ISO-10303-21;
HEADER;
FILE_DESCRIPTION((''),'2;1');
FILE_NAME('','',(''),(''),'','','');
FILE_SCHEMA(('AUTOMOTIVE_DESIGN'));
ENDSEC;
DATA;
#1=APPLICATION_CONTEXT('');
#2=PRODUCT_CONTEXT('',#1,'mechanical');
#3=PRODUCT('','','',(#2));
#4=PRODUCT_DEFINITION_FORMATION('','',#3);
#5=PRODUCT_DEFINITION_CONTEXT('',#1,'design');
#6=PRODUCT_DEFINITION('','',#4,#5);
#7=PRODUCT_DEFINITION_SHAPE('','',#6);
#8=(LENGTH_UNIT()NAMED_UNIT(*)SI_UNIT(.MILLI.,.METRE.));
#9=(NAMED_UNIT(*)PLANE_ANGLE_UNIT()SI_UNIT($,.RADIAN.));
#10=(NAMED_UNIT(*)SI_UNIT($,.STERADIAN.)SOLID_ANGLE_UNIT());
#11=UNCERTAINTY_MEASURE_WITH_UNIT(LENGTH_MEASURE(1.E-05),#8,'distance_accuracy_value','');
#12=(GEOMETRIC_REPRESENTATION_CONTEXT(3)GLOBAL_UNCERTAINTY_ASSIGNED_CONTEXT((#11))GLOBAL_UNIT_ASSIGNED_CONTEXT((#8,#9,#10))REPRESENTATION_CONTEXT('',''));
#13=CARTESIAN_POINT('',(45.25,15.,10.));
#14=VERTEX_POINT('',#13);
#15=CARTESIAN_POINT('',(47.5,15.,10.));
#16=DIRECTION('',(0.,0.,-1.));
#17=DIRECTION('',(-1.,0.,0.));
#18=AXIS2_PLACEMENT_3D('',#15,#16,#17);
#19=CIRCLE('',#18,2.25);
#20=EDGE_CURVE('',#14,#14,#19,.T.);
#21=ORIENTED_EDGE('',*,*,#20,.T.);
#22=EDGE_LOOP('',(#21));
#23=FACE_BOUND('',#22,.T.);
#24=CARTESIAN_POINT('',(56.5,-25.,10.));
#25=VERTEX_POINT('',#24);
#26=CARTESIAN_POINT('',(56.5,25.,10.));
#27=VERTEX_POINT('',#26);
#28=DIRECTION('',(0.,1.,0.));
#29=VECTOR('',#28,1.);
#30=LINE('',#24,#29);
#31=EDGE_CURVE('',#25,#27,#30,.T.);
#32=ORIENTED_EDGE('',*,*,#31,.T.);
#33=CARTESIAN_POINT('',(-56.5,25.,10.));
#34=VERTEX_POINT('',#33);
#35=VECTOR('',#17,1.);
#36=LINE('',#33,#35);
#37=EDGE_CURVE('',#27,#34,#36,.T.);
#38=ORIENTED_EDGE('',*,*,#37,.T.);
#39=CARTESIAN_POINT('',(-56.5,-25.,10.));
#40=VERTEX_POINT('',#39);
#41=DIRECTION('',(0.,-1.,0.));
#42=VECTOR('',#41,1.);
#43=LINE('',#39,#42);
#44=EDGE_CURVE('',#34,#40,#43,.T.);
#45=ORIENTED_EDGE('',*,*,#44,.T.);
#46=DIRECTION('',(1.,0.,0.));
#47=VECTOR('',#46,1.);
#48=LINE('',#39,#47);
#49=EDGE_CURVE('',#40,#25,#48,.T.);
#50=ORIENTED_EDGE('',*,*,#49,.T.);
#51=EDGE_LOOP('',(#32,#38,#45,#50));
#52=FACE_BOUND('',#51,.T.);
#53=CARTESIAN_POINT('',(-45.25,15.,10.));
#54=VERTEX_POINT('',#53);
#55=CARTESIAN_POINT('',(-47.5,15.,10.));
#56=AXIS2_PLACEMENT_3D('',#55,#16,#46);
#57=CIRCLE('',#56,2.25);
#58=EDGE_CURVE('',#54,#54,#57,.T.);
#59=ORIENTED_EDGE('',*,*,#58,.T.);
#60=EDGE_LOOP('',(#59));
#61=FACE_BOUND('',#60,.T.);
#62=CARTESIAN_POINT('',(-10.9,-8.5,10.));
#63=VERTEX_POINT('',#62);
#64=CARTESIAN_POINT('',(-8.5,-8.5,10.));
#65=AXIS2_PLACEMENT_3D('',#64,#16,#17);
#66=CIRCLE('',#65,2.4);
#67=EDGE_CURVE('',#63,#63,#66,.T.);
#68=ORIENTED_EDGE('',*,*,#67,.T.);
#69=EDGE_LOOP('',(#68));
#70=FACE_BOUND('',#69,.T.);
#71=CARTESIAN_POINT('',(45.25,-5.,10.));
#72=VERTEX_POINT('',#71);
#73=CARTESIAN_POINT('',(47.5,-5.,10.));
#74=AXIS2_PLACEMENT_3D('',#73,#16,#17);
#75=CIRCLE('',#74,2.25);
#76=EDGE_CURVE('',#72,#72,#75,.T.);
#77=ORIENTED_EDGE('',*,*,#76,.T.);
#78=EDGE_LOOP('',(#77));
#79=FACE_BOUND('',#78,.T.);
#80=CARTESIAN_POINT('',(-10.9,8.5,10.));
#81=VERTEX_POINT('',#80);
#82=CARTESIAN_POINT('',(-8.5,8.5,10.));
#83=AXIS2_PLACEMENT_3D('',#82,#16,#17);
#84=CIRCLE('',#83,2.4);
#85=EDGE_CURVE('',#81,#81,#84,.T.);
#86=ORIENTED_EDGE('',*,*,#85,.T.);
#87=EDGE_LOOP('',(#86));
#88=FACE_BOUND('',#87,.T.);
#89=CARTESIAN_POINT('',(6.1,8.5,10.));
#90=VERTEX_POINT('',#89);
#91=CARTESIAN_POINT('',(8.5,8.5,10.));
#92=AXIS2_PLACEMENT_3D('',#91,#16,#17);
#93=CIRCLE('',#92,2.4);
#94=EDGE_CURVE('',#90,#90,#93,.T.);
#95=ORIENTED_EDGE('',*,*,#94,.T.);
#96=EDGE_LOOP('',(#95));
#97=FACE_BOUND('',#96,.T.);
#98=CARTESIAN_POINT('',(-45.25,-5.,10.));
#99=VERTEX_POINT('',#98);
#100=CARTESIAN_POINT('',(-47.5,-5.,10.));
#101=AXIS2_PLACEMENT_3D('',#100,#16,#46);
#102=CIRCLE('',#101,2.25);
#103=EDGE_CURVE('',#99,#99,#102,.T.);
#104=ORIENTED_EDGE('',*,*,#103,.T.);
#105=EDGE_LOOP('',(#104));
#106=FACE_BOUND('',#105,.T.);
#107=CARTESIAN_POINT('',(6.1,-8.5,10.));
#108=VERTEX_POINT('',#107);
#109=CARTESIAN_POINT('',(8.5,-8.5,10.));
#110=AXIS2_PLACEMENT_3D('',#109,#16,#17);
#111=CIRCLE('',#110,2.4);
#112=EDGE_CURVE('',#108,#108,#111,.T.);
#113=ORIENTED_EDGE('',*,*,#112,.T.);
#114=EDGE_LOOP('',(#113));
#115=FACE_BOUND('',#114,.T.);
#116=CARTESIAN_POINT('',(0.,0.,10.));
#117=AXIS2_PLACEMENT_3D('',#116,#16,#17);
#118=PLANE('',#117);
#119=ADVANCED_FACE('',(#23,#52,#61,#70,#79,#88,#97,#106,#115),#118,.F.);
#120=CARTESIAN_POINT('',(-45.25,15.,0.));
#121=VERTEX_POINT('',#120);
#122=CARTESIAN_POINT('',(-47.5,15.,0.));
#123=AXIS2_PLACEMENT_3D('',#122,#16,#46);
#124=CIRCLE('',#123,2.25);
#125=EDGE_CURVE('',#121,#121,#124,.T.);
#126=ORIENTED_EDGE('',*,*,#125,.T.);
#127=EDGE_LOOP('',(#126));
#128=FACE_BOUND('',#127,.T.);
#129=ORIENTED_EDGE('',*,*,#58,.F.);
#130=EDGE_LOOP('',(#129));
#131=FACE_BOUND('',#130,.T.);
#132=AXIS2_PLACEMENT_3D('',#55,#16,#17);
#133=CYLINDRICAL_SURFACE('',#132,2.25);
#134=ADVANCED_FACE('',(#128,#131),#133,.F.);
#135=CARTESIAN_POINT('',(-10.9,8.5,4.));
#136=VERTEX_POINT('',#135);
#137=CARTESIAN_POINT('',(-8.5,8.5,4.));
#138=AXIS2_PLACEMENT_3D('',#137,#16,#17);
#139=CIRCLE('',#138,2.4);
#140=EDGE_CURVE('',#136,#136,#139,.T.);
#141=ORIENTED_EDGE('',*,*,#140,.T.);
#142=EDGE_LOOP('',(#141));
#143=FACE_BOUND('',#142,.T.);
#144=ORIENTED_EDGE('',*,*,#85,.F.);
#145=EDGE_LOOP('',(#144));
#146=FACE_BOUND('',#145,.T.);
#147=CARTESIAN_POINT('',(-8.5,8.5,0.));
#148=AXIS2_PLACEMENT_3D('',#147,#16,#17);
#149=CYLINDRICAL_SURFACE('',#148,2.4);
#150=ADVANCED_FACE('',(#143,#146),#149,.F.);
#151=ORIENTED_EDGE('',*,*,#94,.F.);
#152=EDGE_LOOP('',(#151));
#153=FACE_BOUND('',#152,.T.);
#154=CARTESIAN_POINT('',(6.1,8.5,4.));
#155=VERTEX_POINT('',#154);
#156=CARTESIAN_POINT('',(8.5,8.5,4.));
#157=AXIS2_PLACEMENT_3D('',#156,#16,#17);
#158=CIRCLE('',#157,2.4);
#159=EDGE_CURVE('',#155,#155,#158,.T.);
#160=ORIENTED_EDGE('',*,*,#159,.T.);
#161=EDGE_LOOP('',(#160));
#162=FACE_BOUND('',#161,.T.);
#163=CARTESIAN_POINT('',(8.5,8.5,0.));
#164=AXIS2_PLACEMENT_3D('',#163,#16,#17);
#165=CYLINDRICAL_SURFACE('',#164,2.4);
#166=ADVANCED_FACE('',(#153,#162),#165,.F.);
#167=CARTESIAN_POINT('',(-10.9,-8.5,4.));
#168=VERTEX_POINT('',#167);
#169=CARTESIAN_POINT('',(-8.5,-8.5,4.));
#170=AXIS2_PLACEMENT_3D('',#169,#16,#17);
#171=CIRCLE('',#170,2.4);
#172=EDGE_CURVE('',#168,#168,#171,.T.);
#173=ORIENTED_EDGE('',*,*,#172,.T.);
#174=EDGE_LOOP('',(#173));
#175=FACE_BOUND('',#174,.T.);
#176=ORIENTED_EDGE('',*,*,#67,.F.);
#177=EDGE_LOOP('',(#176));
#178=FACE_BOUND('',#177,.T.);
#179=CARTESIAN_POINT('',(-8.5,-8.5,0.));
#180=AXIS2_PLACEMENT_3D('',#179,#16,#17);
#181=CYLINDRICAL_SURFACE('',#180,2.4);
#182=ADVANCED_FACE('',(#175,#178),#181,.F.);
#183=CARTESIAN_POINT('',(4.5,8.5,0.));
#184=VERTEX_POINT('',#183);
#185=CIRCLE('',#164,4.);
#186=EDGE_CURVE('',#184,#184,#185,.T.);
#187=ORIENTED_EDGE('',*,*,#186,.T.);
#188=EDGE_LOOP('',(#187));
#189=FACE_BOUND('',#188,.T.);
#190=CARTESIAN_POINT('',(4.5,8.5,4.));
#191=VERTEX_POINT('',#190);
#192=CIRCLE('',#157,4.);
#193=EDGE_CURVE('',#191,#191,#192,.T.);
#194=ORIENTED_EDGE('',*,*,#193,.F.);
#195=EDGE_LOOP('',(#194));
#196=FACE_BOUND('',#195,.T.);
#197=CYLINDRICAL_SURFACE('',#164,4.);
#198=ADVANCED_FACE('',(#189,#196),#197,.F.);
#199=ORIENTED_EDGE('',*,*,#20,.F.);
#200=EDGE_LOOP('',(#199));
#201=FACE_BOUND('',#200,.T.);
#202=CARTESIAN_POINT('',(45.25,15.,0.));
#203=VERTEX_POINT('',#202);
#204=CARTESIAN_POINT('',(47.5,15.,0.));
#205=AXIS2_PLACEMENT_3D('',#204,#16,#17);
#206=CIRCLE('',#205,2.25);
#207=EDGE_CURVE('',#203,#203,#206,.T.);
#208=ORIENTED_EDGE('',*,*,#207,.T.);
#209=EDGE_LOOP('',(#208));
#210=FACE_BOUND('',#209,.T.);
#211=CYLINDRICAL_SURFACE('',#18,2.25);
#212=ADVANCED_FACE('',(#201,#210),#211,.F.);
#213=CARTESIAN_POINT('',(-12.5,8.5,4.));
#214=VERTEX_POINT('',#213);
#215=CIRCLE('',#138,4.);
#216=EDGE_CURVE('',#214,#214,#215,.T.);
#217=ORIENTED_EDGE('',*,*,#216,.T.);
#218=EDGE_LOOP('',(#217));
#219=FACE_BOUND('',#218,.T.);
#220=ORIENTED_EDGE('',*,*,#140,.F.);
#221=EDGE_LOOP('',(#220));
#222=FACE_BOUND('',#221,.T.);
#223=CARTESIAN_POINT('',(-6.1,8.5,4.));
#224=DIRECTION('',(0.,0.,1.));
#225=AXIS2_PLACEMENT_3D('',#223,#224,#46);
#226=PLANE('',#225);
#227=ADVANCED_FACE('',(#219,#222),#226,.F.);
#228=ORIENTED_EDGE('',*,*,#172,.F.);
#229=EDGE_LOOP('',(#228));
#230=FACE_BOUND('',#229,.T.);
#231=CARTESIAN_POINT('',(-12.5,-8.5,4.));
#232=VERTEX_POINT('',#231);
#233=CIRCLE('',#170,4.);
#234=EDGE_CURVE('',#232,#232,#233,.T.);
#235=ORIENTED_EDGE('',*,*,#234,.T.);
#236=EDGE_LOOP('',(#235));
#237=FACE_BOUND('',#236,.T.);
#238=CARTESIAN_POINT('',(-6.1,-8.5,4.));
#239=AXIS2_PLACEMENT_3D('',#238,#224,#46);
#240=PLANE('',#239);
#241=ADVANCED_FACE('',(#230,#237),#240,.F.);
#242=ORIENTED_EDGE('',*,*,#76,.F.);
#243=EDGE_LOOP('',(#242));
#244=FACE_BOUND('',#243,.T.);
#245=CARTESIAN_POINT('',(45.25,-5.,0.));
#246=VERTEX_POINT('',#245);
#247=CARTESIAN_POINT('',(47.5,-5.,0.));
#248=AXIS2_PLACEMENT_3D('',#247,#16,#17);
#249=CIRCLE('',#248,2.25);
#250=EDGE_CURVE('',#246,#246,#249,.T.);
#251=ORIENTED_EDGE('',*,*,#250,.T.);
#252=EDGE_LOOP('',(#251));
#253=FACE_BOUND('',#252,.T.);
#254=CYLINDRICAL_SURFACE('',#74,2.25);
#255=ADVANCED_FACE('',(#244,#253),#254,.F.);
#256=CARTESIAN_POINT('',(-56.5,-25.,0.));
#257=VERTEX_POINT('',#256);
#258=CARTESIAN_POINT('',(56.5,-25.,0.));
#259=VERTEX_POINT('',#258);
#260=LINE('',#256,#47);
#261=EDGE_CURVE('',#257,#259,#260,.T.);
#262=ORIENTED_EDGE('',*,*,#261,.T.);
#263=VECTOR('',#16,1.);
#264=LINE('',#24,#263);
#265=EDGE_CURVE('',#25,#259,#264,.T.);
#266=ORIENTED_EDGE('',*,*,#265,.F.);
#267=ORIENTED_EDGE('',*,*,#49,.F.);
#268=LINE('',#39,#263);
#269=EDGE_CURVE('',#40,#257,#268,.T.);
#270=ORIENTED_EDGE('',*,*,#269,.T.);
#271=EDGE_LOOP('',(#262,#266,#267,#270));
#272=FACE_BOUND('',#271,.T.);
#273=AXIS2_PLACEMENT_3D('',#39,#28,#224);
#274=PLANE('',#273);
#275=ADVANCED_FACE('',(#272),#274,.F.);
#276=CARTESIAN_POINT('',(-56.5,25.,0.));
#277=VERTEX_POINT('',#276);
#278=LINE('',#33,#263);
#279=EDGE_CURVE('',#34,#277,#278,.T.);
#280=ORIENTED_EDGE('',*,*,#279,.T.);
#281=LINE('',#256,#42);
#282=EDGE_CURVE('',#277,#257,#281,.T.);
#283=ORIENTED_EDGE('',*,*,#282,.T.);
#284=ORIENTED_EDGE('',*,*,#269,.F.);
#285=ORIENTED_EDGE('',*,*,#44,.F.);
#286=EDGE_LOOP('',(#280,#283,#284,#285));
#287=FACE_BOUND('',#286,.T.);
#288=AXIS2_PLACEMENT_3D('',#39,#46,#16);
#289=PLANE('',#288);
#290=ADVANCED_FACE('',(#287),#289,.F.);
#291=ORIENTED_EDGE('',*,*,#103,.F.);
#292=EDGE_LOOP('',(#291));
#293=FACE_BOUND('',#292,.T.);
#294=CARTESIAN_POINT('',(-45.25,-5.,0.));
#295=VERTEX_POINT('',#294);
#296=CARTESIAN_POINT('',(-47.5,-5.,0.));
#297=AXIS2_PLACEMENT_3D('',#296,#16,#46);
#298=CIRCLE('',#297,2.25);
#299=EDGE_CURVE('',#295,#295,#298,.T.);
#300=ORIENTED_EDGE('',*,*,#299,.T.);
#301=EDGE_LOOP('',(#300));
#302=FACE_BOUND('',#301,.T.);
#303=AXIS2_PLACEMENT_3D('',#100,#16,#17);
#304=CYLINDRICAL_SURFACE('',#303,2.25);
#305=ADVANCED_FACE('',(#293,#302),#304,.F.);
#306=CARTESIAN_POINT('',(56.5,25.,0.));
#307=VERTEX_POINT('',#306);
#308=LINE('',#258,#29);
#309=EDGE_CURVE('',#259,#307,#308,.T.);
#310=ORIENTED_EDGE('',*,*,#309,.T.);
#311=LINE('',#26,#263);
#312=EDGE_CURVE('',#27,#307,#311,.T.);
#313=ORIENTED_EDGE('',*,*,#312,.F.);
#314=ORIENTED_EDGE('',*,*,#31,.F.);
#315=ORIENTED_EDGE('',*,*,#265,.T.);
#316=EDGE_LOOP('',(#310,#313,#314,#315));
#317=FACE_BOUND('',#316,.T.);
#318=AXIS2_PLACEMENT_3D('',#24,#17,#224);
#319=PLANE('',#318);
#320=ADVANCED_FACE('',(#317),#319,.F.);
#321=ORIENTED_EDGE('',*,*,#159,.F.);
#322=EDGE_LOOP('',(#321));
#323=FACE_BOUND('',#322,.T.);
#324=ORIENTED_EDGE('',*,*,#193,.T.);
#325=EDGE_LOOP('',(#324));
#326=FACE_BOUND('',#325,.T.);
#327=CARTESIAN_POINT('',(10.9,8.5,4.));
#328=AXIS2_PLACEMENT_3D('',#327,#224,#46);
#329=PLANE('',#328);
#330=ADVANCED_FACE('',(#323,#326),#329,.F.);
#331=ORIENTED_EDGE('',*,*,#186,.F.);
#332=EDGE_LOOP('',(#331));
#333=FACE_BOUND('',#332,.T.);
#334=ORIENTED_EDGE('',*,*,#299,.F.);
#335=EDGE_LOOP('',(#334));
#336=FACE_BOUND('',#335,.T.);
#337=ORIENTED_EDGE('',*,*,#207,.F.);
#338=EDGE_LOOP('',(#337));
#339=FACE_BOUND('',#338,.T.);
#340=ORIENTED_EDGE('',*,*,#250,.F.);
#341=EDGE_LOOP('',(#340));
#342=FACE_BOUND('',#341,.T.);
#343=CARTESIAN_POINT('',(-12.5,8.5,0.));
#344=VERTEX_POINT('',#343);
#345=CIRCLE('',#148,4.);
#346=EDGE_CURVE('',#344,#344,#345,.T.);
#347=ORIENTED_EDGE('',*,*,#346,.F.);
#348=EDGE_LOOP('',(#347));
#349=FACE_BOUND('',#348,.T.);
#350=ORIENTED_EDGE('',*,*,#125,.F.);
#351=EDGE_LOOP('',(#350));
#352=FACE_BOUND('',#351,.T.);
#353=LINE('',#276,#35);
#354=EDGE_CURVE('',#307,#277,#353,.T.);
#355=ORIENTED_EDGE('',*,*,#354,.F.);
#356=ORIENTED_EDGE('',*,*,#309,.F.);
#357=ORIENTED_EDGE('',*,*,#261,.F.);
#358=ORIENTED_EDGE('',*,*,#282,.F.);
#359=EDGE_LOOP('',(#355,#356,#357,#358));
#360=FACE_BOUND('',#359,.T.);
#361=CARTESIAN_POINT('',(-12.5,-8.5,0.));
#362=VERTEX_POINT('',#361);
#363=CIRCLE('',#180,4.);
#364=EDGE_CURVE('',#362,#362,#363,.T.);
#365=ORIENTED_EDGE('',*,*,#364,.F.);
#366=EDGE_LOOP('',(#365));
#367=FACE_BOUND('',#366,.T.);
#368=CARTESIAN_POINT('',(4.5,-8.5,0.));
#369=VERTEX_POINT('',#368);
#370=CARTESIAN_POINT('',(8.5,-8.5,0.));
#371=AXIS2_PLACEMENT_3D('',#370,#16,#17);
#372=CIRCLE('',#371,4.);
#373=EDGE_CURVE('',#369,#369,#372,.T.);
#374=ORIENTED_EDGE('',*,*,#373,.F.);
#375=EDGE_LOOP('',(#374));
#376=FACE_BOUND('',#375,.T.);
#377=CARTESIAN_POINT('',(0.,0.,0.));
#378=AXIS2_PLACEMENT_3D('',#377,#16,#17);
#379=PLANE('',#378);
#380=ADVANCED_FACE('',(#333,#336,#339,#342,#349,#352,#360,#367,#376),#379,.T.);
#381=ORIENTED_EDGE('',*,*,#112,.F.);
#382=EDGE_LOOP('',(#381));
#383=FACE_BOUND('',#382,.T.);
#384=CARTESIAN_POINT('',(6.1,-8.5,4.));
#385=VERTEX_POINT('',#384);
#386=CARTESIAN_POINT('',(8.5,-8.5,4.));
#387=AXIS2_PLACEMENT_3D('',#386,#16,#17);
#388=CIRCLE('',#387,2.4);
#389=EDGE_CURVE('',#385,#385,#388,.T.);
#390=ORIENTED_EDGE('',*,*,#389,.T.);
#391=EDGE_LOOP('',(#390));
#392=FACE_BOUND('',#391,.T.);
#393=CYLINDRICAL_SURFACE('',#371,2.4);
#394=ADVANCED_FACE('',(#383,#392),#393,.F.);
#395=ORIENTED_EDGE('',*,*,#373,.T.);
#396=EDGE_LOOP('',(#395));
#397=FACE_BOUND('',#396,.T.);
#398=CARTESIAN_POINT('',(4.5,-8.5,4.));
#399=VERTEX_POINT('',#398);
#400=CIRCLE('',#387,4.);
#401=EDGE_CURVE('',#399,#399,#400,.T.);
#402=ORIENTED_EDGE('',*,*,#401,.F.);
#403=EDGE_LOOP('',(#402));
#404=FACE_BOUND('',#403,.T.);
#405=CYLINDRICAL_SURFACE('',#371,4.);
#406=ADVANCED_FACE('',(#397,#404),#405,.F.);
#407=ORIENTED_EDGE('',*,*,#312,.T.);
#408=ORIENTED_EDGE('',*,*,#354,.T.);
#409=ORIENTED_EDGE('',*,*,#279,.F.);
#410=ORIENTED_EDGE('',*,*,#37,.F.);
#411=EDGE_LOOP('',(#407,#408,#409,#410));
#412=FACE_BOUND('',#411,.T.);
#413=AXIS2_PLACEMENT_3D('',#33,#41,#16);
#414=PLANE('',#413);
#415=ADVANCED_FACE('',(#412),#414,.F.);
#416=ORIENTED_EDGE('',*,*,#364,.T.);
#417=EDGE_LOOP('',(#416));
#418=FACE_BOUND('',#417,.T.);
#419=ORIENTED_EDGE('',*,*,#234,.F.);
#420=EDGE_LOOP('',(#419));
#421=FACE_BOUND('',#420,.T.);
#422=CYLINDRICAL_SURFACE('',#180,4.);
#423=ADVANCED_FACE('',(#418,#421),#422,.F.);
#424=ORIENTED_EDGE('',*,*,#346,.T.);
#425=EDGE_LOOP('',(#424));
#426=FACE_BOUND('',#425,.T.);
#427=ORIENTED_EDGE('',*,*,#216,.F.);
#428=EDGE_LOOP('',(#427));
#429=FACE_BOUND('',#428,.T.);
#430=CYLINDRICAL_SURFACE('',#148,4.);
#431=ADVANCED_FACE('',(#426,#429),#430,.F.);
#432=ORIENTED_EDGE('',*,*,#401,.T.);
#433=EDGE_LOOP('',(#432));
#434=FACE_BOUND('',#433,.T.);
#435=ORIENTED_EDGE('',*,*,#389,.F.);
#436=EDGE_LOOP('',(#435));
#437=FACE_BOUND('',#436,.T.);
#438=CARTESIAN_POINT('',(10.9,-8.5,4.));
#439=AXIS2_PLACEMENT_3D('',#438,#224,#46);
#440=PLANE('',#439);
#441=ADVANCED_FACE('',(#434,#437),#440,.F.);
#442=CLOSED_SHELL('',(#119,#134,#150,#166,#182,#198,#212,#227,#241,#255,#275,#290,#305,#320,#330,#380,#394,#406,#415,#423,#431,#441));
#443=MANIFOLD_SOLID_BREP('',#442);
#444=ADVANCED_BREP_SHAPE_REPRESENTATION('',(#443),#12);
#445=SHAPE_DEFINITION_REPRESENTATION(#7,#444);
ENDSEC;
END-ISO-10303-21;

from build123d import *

# Parameters (mm, degrees)
SKETCH1_W                      = 113
SKETCH1_H                      = 50
BOSS_EXTRUDE1_DEPTH            = 10
CBORE_FOR_M4_SHCS1_D           = 4.8
CBORE_FOR_M4_SHCS1_CBORE_D     = 8
CBORE_FOR_M4_SHCS1_CBORE_DEPTH = 4
SKETCH4_R                      = 2.25
CUT_EXTRUDE1_DEPTH             = 63.587938135


with BuildPart() as part:
    # Sketch1 → Boss-Extrude1 (new body)
    with BuildSketch(Plane.XY):
        Rectangle(SKETCH1_W, SKETCH1_H)
    extrude(amount=BOSS_EXTRUDE1_DEPTH)

    # CBORE for M4 SHCS1 (through all)
    with Locations(Plane(origin=(0, 0, 0), x_dir=(-1, 0, 0), z_dir=(0, 0, -1))):
        with Locations((-8.5, 8.5), (-8.5, -8.5), (8.5, -8.5), (8.5, 8.5)):
            CounterBoreHole(CBORE_FOR_M4_SHCS1_D / 2, CBORE_FOR_M4_SHCS1_CBORE_D / 2, CBORE_FOR_M4_SHCS1_CBORE_DEPTH)

    # Sketch4 → Cut-Extrude1 (cut, through all)
    with BuildSketch(Plane(origin=(0, 0, 0), x_dir=(-1, 0, 0), z_dir=(0, 0, -1))):
        with Locations((-47.5, 15)):
            Circle(SKETCH4_R)
        with Locations((-47.5, -5)):
            Circle(SKETCH4_R)
        with Locations(Location((47.5, -5, 0), (0, 0, 180))):
            Circle(SKETCH4_R)
        with Locations(Location((47.5, 15, 0), (0, 0, 180))):
            Circle(SKETCH4_R)
    extrude(amount=-CUT_EXTRUDE1_DEPTH, mode=Mode.SUBTRACT)


solid = part.part
